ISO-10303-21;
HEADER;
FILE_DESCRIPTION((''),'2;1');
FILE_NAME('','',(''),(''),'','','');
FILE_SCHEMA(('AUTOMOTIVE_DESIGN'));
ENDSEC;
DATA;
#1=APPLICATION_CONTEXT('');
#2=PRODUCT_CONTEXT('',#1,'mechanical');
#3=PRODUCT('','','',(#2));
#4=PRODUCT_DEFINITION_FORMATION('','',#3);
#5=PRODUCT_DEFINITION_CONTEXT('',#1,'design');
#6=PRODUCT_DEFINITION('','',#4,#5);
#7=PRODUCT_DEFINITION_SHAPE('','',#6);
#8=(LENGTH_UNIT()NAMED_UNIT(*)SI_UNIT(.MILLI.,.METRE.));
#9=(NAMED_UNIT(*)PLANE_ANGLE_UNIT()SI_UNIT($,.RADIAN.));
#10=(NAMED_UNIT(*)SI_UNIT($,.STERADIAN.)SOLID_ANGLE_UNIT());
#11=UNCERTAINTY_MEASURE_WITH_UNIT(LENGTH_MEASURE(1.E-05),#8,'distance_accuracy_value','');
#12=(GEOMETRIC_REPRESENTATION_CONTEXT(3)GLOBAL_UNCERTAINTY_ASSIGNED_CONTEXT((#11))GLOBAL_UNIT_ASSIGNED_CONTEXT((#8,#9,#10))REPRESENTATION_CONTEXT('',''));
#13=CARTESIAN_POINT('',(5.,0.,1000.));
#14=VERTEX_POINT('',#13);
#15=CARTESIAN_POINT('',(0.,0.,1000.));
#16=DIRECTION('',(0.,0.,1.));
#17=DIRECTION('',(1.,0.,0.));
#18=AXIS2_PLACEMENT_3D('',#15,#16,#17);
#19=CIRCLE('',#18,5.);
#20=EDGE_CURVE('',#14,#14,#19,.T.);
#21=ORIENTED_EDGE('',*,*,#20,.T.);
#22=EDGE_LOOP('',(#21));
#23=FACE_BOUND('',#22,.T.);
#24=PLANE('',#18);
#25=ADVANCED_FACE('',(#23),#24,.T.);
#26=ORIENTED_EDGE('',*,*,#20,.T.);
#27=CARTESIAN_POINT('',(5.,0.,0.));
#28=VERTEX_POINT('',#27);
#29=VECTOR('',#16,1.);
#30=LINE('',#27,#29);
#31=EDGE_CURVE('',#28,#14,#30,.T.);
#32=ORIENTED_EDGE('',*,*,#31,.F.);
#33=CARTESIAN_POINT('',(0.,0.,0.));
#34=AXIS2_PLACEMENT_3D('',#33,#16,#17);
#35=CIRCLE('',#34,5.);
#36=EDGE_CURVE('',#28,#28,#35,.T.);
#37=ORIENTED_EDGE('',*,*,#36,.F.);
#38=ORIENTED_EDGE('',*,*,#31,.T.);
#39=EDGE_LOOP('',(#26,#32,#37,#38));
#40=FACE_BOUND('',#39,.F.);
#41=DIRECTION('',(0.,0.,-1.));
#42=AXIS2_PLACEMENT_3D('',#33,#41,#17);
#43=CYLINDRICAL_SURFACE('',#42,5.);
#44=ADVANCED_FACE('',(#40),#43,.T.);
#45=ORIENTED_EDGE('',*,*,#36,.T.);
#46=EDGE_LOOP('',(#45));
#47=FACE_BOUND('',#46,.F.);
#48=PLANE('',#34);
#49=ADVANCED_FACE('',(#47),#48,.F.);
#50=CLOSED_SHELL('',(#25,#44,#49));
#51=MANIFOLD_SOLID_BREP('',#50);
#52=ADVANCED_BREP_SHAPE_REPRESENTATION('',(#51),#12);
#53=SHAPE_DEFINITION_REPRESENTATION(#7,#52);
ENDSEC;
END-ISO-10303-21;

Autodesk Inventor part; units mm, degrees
ref_plane "YZ Plane" through (0, 0, 0) normal (1, 0, 0) x (0, 1, 0)
ref_plane "XZ Plane" through (0, 0, 0) normal (0, 1, 0) x (-1, 0, 0)
ref_plane "XY Plane" through (0, 0, 0) normal (0, 0, 1) x (1, 0, 0)
sketch "スケッチ1" plane through (0, 0, 0) normal (0, 0, 1) x (1, 0, 0)
  circle A0 centre (0, 0) radius 5
  dimension "d0" = 10
extrude "押し出し1" add sketch "スケッチ1" along normal blind 1000
properties part number "φ10棒"
